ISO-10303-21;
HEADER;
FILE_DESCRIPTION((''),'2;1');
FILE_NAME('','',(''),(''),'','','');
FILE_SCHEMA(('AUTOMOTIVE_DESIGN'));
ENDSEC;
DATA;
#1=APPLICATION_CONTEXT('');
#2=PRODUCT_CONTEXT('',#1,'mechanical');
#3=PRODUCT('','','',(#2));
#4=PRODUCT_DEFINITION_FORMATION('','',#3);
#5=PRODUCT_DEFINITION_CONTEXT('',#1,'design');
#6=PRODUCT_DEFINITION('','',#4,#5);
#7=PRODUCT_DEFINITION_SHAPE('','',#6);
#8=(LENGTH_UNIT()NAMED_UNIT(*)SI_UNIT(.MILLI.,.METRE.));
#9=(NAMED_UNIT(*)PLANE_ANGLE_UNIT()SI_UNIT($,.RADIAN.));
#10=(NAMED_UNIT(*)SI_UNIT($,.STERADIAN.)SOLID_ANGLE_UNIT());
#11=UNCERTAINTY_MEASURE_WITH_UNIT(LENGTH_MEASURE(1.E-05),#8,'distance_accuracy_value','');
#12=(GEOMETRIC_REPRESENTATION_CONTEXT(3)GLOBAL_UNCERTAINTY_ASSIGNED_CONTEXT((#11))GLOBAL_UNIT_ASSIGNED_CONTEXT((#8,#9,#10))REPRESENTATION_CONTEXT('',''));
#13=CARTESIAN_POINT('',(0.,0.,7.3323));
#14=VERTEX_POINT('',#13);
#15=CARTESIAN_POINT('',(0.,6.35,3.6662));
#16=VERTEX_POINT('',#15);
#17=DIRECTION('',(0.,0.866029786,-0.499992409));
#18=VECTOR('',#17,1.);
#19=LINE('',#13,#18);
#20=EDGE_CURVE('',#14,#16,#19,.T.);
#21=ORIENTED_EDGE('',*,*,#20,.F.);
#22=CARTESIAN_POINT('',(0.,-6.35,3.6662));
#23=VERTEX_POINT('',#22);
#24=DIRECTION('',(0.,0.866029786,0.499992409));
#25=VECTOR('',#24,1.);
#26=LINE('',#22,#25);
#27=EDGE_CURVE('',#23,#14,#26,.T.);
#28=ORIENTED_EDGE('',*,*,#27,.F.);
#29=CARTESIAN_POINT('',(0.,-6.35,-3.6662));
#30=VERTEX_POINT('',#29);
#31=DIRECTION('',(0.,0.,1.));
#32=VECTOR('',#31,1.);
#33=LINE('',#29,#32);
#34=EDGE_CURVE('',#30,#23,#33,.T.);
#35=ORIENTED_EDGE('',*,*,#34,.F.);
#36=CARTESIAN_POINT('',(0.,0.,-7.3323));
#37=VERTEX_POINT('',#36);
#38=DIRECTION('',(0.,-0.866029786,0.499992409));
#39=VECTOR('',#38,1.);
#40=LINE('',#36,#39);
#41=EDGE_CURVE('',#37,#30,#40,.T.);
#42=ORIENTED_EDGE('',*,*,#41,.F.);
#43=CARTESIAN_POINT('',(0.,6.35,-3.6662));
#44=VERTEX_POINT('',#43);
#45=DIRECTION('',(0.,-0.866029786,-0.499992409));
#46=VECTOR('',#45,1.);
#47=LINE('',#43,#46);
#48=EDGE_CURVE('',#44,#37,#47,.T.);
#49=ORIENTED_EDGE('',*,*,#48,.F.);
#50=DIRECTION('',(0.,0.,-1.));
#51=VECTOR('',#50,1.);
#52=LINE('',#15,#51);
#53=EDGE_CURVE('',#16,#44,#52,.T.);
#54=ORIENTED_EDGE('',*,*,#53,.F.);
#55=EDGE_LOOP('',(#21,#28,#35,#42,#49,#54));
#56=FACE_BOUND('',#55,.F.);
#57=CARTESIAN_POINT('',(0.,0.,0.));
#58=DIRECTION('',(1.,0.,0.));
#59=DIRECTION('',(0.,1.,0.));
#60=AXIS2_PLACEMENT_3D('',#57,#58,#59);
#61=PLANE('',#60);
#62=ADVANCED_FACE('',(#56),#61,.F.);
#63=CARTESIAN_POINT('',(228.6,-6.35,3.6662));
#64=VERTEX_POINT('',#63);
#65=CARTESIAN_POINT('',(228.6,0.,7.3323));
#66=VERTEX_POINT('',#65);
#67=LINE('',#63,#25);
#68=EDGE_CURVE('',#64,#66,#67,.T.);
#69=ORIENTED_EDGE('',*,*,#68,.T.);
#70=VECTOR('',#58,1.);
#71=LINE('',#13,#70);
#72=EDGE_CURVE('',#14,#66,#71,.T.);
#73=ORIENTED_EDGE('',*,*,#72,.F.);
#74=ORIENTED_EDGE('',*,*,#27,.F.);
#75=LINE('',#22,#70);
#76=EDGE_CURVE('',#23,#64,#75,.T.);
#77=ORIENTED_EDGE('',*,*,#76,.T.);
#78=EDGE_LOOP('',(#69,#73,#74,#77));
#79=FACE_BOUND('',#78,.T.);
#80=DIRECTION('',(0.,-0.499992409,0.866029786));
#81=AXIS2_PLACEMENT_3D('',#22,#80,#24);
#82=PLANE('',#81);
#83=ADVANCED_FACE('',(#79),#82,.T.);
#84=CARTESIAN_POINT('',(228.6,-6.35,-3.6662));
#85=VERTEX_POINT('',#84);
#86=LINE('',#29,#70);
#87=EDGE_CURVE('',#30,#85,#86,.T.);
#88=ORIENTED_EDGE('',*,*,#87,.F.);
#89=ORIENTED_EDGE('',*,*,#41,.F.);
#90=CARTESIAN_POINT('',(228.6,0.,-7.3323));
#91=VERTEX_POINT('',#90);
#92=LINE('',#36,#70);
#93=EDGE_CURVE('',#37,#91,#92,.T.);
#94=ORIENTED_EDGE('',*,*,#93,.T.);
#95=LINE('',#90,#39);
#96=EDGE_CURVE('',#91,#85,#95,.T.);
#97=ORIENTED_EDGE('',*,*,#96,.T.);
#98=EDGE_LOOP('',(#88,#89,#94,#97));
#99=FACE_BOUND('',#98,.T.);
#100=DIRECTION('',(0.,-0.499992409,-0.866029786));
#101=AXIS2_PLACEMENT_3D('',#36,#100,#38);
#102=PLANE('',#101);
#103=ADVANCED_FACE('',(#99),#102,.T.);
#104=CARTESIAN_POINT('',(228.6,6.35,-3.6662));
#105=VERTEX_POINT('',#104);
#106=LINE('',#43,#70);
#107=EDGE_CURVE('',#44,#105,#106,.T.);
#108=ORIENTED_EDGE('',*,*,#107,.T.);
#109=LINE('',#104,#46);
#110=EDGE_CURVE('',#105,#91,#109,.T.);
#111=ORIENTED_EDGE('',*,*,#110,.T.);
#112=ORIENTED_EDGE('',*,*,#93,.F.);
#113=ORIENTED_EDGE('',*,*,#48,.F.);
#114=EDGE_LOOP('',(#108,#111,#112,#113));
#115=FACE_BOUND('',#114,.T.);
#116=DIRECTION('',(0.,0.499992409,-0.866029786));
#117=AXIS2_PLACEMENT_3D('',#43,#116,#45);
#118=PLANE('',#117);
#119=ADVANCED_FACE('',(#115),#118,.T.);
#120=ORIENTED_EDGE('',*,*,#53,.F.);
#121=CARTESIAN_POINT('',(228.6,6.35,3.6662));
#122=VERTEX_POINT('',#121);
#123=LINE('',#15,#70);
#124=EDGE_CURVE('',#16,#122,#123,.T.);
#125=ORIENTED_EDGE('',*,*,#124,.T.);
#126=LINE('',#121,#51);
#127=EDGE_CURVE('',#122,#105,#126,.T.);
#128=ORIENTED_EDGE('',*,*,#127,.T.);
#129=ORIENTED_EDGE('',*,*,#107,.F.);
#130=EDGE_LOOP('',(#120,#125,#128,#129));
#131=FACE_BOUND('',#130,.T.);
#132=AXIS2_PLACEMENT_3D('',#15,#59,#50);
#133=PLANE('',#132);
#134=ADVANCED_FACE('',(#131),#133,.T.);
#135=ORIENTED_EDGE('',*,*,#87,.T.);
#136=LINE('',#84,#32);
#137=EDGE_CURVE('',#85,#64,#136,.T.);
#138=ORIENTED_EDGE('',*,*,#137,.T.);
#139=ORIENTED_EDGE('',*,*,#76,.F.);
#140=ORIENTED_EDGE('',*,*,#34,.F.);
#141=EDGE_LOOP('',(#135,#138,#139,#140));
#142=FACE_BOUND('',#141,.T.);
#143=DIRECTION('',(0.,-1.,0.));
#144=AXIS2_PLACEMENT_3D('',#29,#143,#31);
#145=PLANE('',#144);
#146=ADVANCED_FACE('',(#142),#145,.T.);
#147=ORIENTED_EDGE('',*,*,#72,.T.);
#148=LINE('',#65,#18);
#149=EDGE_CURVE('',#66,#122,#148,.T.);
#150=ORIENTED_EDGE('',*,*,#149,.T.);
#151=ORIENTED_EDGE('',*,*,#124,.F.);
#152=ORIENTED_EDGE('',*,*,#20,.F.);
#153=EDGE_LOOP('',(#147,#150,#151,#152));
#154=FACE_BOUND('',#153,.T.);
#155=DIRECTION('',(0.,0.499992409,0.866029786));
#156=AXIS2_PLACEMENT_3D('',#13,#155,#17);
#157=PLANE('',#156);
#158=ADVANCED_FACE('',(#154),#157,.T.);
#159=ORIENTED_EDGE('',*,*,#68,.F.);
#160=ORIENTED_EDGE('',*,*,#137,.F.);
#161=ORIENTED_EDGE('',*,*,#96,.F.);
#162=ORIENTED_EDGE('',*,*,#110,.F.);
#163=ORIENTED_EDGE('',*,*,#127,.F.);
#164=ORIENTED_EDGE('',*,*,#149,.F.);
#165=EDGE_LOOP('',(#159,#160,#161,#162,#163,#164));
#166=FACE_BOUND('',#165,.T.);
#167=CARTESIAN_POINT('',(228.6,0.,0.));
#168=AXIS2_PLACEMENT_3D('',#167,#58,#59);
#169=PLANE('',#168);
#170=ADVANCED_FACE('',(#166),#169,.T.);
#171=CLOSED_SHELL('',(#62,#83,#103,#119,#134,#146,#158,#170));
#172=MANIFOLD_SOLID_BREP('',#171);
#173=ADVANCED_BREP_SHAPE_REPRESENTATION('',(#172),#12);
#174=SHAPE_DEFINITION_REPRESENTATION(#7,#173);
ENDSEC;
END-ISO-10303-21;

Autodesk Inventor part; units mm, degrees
ref_plane "YZ Plane" through (0, 0, 0) normal (1, 0, 0) x (0, 1, 0)
ref_plane "XZ Plane" through (0, 0, 0) normal (0, 1, 0) x (-1, 0, 0)
ref_plane "XY Plane" through (0, 0, 0) normal (0, 0, 1) x (1, 0, 0)
sketch "Sketch1" plane through (0, 0, 0) normal (1, 0, 0) x (0, 1, 0)
  line L0 (0, -7.3323) -> (-6.35, -3.6662)
  line L1 (-6.35, -3.6662) -> (-6.35, 3.6662)
  line L2 (-6.35, 3.6662) -> (0, 7.3323)
  line L3 (0, 7.3323) -> (6.35, 3.6662)
  line L4 (6.35, 3.6662) -> (6.35, -3.6662)
  line L5 (6.35, -3.6662) -> (0, -7.3323)
  point P0 (0, 0)
  point P1 (0, 0)
  dimension "d0" = 12.7
extrude "Extrusion1" add sketch "Sketch1" along normal blind 228.6
properties part number "9in-0.5inHexAxel" material "Steel"
